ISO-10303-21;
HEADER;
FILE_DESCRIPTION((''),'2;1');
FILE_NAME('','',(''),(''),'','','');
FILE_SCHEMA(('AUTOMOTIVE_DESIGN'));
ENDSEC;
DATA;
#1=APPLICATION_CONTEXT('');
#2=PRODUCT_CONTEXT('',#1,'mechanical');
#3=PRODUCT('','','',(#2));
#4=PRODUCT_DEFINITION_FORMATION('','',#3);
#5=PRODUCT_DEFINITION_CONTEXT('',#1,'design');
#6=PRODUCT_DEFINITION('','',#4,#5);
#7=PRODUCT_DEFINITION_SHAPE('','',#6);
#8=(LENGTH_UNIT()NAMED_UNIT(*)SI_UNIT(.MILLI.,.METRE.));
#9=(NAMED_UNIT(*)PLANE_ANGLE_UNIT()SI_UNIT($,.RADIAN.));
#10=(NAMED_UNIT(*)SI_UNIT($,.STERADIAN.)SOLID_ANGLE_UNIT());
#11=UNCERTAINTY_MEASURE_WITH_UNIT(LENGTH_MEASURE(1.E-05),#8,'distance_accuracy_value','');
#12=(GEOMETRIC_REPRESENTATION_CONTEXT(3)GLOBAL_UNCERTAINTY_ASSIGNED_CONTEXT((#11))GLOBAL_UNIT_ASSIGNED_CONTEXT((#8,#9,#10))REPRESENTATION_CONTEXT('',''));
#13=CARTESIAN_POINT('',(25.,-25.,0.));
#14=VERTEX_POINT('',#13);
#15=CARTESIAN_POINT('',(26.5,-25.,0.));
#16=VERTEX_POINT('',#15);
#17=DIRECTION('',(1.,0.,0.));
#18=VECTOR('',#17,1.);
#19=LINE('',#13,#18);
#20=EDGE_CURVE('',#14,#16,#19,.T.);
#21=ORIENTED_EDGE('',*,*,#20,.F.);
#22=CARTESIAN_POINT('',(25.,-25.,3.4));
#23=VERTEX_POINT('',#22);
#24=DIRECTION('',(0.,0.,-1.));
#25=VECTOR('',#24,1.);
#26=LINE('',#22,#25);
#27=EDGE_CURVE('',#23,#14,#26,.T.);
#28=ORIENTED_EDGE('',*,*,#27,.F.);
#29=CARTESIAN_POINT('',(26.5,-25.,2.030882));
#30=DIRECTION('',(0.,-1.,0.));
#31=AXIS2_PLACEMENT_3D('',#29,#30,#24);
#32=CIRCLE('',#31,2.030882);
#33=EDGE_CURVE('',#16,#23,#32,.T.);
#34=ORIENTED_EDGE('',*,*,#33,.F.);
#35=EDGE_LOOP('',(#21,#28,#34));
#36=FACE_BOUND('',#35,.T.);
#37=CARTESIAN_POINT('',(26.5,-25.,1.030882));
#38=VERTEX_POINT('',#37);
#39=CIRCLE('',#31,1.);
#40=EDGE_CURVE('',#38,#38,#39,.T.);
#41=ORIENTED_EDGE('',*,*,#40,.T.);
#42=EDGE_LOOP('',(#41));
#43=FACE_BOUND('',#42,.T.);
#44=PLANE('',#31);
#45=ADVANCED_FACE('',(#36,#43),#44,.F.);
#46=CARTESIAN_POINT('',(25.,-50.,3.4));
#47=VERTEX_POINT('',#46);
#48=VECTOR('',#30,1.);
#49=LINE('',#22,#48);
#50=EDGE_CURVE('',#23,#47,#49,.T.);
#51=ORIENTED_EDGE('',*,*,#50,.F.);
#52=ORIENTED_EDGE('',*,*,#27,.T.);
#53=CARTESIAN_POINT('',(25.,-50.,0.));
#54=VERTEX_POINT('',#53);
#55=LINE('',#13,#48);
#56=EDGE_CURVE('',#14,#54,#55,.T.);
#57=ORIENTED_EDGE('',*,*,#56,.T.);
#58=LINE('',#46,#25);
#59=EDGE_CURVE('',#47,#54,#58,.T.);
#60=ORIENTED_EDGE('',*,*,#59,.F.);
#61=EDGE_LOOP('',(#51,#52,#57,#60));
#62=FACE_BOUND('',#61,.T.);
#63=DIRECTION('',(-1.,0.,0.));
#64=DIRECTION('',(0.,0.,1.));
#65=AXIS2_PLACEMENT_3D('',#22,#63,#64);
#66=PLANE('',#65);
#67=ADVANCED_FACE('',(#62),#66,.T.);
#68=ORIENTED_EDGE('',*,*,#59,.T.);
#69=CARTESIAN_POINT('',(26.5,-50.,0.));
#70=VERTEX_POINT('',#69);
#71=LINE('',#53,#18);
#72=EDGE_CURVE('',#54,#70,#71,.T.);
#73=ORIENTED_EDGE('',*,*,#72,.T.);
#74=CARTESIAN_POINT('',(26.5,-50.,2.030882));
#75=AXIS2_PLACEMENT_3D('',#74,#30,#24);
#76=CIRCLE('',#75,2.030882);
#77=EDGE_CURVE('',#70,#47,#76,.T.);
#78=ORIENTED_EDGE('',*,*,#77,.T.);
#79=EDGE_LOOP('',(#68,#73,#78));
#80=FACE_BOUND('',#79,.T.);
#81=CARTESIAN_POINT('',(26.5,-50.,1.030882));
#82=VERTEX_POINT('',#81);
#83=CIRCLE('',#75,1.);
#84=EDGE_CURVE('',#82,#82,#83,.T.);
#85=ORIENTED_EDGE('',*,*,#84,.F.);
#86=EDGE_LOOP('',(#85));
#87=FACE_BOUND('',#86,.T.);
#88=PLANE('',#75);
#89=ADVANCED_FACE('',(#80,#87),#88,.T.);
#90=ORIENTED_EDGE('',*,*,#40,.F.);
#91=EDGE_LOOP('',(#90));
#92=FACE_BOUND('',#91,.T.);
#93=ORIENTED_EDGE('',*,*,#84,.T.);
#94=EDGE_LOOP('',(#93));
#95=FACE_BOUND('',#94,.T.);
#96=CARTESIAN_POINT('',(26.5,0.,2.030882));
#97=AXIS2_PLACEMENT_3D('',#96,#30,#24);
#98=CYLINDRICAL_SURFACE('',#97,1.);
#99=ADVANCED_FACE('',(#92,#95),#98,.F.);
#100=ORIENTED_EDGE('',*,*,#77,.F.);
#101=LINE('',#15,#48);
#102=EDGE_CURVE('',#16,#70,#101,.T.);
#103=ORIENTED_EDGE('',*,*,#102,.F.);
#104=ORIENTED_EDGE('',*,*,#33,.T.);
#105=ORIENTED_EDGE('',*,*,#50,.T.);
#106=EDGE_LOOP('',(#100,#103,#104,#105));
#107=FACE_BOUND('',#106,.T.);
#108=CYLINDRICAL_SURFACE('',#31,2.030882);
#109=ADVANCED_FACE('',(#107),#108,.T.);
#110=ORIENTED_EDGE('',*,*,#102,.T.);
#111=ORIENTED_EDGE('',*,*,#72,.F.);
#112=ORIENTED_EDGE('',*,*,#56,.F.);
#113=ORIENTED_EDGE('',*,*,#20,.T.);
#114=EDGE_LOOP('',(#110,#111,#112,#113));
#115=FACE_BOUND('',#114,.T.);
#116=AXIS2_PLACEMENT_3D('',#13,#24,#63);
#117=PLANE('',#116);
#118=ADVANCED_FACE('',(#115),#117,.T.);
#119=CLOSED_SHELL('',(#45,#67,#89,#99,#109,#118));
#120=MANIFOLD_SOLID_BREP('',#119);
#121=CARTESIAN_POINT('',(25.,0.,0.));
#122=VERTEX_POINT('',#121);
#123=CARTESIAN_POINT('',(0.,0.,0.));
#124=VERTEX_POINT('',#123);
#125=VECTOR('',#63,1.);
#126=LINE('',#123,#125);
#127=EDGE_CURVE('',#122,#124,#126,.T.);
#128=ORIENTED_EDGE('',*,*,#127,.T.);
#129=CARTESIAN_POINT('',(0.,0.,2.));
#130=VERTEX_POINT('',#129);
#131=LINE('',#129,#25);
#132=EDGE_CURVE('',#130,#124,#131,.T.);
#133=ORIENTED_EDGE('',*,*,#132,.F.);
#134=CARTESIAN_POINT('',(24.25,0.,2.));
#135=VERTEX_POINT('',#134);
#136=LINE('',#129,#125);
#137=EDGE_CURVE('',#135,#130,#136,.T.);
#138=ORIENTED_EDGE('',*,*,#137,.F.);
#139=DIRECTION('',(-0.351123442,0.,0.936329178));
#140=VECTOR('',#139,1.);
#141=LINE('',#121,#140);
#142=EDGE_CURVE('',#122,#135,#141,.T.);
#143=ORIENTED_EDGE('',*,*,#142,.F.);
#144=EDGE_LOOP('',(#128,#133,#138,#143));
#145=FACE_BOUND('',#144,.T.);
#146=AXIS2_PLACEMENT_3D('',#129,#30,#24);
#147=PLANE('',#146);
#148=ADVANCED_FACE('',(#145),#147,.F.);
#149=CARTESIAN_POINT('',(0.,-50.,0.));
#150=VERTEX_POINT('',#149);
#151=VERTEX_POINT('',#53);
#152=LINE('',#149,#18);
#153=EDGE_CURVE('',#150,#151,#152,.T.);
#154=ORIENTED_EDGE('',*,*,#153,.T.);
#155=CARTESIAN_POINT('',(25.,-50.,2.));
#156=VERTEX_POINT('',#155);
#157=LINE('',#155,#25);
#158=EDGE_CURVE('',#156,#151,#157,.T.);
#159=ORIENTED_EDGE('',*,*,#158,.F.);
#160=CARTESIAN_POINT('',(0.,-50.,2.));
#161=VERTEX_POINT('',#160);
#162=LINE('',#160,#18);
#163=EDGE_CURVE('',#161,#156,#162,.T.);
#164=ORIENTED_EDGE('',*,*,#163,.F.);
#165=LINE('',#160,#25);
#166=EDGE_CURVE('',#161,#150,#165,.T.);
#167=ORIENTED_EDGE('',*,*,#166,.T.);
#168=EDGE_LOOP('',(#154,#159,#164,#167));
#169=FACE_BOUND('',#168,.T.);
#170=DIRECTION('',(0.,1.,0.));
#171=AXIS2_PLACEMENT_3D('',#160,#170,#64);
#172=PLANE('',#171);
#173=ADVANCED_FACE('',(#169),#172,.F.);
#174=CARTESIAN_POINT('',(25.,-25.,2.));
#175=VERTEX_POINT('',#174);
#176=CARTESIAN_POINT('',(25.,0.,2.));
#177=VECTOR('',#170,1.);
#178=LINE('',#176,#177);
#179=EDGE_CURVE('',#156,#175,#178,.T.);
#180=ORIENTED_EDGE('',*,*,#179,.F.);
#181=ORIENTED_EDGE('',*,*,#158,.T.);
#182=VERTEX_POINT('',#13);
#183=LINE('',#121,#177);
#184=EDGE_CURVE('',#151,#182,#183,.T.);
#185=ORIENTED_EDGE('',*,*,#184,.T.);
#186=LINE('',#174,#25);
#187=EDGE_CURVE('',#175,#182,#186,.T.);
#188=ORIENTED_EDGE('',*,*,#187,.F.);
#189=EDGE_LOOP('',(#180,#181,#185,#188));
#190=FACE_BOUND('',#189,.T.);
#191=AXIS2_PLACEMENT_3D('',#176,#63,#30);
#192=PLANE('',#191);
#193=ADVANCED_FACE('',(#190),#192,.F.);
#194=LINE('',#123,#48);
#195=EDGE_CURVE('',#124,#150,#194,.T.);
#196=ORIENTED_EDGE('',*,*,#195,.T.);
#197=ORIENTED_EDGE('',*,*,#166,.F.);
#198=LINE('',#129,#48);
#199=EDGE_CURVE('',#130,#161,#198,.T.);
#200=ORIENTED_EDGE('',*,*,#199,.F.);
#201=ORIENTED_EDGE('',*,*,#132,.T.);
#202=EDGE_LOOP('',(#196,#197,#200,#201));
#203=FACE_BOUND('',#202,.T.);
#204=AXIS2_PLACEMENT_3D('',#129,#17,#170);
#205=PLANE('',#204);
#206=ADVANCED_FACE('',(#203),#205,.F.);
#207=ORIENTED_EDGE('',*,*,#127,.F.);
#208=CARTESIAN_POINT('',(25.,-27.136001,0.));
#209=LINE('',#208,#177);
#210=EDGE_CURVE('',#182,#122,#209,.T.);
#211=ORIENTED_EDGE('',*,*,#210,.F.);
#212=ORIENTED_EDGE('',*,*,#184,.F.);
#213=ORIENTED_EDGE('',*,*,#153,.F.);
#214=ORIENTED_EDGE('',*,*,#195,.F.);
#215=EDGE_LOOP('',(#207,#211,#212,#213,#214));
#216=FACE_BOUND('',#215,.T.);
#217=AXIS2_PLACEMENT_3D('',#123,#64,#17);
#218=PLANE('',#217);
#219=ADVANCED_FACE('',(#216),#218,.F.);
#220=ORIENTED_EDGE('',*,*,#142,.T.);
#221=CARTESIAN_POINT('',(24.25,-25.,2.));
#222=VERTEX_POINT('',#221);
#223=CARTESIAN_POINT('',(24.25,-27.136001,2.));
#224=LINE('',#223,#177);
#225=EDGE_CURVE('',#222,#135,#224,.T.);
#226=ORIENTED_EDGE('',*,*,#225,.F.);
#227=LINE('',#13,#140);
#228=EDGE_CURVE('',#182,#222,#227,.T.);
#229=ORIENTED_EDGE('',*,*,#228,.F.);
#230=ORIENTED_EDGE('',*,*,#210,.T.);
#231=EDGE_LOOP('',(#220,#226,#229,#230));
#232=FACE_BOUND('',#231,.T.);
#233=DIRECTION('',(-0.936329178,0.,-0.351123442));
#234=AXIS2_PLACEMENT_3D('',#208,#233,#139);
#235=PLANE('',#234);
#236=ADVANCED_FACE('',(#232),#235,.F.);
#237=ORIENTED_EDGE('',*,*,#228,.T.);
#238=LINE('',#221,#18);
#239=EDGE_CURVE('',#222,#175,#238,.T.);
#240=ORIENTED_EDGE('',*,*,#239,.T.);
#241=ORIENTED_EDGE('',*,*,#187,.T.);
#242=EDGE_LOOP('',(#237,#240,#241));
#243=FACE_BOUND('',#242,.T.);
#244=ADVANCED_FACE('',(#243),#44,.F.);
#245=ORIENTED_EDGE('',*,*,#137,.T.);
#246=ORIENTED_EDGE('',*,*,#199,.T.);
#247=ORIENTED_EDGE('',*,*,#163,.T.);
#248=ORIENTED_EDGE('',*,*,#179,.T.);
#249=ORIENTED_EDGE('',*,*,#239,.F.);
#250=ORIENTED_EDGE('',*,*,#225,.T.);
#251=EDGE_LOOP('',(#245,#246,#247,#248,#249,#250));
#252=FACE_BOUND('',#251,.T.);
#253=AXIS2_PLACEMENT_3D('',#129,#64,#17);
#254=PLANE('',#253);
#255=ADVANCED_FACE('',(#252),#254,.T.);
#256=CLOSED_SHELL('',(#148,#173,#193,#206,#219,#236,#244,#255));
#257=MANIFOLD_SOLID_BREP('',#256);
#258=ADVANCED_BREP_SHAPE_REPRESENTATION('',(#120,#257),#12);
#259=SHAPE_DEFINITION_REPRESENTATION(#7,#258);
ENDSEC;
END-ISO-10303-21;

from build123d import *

# Parameters (mm, degrees)
SKETCH1_W           = 25
SKETCH1_H           = 50
BOSS_EXTRUDE1_DEPTH = 2
BOSS_EXTRUDE3_DEPTH = 25
SKETCH5_R           = 1
CUT_EXTRUDE2_DEPTH  = 58.710563854
CUT_EXTRUDE4_DEPTH  = 25


with BuildPart() as part:
    # Sketch1 → Boss-Extrude1 (new body)
    with BuildSketch(Plane.XY):
        with Locations((12.5, -25)):
            Rectangle(SKETCH1_W, SKETCH1_H)
    extrude(amount=BOSS_EXTRUDE1_DEPTH)

    # Sketch7 → Cut-Extrude4 (cut)
    with BuildSketch(Plane(origin=(0, 0, 0), x_dir=(1, 0, 0), z_dir=(0, 1, 0))):
        Polygon((25, 0), (24.25, -2), (25, -2), align=None)
    extrude(amount=-CUT_EXTRUDE4_DEPTH, mode=Mode.SUBTRACT)


with BuildPart() as body_2:
    # Sketch4 → Boss-Extrude3 (new body)
    with BuildSketch(Plane.XZ.offset(50)):
        with BuildLine():
            Line((25, 0), (26.5, 0))
            ThreePointArc((26.5, 0), (28.358090418, 2.850628125), (25, 3.4))
            Line((25, 3.4), (25, 0))
        make_face()
    extrude(amount=-BOSS_EXTRUDE3_DEPTH)

    # Sketch5 → Cut-Extrude2 (cut, through all)
    with BuildSketch(Plane.XZ.offset(50)):
        with Locations(Location((26.5, 2.030882353, 0), (0, 0, 270))):
            Circle(SKETCH5_R)
    extrude(amount=-CUT_EXTRUDE2_DEPTH, mode=Mode.SUBTRACT)


solid = Compound([part.part, body_2.part])
